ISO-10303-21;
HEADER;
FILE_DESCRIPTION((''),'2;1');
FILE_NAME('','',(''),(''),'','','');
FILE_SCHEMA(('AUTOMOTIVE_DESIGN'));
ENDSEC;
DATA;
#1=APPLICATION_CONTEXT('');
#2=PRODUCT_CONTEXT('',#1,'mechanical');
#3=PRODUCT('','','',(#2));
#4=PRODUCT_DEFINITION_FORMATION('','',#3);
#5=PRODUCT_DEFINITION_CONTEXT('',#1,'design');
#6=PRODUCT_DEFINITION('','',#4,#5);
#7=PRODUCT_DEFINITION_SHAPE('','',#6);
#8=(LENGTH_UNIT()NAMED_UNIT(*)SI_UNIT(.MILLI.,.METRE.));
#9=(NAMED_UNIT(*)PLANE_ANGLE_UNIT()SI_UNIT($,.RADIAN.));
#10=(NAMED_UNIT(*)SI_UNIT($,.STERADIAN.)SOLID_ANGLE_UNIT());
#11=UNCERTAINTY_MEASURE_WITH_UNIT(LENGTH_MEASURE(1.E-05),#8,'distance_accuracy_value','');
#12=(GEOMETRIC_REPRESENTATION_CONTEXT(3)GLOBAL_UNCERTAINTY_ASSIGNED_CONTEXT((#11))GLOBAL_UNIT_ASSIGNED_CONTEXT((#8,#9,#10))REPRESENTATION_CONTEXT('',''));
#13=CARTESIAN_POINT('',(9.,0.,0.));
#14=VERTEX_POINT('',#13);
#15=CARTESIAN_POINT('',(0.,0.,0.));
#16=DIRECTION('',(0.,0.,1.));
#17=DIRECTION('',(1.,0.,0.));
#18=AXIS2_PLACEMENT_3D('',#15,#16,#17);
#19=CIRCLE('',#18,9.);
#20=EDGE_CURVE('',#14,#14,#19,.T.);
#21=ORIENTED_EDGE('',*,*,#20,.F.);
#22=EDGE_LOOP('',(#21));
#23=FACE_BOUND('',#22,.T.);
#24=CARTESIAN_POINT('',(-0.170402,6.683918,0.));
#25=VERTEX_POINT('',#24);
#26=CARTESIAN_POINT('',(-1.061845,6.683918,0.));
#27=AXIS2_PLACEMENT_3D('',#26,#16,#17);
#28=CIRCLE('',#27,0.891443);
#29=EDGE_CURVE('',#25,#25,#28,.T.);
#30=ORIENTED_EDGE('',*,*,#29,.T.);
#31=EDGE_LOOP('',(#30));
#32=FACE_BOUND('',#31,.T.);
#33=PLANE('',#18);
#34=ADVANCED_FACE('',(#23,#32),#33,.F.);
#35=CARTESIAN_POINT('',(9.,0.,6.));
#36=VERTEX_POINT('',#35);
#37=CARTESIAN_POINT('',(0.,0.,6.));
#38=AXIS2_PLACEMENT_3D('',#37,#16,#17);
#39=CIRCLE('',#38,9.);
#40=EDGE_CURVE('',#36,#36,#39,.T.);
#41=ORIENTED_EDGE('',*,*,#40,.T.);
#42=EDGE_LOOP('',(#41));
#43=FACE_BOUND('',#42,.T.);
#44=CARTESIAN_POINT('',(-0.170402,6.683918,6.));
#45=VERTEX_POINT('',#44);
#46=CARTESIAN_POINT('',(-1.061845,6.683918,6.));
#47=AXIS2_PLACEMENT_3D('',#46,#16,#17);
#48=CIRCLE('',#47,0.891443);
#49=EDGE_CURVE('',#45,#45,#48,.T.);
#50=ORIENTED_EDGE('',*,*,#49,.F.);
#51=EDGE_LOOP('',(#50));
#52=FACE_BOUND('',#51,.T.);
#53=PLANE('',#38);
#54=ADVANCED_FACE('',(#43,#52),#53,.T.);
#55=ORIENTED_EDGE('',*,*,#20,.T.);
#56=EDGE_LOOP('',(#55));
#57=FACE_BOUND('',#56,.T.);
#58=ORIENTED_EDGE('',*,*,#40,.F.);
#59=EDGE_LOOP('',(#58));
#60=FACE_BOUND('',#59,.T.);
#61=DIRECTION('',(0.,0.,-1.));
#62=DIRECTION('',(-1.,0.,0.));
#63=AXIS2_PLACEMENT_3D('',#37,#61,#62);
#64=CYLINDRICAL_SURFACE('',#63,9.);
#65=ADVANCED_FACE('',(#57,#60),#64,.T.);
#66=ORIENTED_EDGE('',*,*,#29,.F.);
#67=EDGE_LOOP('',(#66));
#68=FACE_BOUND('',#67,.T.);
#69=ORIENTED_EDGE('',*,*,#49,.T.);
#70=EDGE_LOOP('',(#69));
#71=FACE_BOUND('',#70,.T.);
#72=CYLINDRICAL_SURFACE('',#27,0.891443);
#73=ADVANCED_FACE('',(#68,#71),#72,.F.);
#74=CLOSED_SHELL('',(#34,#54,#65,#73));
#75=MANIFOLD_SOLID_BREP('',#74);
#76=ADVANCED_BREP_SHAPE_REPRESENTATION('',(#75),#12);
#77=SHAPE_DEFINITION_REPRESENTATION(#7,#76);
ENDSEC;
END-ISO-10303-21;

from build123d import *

# Parameters (mm, degrees)
SKETCH1_R      = 9
EXTRUDE1_DEPTH = 6
SKETCH2_R      = 0.891442854
EXTRUDE2_DEPTH = 7


with BuildPart() as part:
    # Sketch1 → Extrude1 (new body)
    with BuildSketch(Plane.XY):
        Circle(SKETCH1_R)
    extrude(amount=EXTRUDE1_DEPTH)

    # Sketch2 → Extrude2 (cut, through all)
    with BuildSketch(Plane.XY.offset(6)):
        with Locations((-1.061845077, 6.683918066)):
            Circle(SKETCH2_R)
    extrude(amount=-EXTRUDE2_DEPTH, mode=Mode.SUBTRACT)


solid = part.part
